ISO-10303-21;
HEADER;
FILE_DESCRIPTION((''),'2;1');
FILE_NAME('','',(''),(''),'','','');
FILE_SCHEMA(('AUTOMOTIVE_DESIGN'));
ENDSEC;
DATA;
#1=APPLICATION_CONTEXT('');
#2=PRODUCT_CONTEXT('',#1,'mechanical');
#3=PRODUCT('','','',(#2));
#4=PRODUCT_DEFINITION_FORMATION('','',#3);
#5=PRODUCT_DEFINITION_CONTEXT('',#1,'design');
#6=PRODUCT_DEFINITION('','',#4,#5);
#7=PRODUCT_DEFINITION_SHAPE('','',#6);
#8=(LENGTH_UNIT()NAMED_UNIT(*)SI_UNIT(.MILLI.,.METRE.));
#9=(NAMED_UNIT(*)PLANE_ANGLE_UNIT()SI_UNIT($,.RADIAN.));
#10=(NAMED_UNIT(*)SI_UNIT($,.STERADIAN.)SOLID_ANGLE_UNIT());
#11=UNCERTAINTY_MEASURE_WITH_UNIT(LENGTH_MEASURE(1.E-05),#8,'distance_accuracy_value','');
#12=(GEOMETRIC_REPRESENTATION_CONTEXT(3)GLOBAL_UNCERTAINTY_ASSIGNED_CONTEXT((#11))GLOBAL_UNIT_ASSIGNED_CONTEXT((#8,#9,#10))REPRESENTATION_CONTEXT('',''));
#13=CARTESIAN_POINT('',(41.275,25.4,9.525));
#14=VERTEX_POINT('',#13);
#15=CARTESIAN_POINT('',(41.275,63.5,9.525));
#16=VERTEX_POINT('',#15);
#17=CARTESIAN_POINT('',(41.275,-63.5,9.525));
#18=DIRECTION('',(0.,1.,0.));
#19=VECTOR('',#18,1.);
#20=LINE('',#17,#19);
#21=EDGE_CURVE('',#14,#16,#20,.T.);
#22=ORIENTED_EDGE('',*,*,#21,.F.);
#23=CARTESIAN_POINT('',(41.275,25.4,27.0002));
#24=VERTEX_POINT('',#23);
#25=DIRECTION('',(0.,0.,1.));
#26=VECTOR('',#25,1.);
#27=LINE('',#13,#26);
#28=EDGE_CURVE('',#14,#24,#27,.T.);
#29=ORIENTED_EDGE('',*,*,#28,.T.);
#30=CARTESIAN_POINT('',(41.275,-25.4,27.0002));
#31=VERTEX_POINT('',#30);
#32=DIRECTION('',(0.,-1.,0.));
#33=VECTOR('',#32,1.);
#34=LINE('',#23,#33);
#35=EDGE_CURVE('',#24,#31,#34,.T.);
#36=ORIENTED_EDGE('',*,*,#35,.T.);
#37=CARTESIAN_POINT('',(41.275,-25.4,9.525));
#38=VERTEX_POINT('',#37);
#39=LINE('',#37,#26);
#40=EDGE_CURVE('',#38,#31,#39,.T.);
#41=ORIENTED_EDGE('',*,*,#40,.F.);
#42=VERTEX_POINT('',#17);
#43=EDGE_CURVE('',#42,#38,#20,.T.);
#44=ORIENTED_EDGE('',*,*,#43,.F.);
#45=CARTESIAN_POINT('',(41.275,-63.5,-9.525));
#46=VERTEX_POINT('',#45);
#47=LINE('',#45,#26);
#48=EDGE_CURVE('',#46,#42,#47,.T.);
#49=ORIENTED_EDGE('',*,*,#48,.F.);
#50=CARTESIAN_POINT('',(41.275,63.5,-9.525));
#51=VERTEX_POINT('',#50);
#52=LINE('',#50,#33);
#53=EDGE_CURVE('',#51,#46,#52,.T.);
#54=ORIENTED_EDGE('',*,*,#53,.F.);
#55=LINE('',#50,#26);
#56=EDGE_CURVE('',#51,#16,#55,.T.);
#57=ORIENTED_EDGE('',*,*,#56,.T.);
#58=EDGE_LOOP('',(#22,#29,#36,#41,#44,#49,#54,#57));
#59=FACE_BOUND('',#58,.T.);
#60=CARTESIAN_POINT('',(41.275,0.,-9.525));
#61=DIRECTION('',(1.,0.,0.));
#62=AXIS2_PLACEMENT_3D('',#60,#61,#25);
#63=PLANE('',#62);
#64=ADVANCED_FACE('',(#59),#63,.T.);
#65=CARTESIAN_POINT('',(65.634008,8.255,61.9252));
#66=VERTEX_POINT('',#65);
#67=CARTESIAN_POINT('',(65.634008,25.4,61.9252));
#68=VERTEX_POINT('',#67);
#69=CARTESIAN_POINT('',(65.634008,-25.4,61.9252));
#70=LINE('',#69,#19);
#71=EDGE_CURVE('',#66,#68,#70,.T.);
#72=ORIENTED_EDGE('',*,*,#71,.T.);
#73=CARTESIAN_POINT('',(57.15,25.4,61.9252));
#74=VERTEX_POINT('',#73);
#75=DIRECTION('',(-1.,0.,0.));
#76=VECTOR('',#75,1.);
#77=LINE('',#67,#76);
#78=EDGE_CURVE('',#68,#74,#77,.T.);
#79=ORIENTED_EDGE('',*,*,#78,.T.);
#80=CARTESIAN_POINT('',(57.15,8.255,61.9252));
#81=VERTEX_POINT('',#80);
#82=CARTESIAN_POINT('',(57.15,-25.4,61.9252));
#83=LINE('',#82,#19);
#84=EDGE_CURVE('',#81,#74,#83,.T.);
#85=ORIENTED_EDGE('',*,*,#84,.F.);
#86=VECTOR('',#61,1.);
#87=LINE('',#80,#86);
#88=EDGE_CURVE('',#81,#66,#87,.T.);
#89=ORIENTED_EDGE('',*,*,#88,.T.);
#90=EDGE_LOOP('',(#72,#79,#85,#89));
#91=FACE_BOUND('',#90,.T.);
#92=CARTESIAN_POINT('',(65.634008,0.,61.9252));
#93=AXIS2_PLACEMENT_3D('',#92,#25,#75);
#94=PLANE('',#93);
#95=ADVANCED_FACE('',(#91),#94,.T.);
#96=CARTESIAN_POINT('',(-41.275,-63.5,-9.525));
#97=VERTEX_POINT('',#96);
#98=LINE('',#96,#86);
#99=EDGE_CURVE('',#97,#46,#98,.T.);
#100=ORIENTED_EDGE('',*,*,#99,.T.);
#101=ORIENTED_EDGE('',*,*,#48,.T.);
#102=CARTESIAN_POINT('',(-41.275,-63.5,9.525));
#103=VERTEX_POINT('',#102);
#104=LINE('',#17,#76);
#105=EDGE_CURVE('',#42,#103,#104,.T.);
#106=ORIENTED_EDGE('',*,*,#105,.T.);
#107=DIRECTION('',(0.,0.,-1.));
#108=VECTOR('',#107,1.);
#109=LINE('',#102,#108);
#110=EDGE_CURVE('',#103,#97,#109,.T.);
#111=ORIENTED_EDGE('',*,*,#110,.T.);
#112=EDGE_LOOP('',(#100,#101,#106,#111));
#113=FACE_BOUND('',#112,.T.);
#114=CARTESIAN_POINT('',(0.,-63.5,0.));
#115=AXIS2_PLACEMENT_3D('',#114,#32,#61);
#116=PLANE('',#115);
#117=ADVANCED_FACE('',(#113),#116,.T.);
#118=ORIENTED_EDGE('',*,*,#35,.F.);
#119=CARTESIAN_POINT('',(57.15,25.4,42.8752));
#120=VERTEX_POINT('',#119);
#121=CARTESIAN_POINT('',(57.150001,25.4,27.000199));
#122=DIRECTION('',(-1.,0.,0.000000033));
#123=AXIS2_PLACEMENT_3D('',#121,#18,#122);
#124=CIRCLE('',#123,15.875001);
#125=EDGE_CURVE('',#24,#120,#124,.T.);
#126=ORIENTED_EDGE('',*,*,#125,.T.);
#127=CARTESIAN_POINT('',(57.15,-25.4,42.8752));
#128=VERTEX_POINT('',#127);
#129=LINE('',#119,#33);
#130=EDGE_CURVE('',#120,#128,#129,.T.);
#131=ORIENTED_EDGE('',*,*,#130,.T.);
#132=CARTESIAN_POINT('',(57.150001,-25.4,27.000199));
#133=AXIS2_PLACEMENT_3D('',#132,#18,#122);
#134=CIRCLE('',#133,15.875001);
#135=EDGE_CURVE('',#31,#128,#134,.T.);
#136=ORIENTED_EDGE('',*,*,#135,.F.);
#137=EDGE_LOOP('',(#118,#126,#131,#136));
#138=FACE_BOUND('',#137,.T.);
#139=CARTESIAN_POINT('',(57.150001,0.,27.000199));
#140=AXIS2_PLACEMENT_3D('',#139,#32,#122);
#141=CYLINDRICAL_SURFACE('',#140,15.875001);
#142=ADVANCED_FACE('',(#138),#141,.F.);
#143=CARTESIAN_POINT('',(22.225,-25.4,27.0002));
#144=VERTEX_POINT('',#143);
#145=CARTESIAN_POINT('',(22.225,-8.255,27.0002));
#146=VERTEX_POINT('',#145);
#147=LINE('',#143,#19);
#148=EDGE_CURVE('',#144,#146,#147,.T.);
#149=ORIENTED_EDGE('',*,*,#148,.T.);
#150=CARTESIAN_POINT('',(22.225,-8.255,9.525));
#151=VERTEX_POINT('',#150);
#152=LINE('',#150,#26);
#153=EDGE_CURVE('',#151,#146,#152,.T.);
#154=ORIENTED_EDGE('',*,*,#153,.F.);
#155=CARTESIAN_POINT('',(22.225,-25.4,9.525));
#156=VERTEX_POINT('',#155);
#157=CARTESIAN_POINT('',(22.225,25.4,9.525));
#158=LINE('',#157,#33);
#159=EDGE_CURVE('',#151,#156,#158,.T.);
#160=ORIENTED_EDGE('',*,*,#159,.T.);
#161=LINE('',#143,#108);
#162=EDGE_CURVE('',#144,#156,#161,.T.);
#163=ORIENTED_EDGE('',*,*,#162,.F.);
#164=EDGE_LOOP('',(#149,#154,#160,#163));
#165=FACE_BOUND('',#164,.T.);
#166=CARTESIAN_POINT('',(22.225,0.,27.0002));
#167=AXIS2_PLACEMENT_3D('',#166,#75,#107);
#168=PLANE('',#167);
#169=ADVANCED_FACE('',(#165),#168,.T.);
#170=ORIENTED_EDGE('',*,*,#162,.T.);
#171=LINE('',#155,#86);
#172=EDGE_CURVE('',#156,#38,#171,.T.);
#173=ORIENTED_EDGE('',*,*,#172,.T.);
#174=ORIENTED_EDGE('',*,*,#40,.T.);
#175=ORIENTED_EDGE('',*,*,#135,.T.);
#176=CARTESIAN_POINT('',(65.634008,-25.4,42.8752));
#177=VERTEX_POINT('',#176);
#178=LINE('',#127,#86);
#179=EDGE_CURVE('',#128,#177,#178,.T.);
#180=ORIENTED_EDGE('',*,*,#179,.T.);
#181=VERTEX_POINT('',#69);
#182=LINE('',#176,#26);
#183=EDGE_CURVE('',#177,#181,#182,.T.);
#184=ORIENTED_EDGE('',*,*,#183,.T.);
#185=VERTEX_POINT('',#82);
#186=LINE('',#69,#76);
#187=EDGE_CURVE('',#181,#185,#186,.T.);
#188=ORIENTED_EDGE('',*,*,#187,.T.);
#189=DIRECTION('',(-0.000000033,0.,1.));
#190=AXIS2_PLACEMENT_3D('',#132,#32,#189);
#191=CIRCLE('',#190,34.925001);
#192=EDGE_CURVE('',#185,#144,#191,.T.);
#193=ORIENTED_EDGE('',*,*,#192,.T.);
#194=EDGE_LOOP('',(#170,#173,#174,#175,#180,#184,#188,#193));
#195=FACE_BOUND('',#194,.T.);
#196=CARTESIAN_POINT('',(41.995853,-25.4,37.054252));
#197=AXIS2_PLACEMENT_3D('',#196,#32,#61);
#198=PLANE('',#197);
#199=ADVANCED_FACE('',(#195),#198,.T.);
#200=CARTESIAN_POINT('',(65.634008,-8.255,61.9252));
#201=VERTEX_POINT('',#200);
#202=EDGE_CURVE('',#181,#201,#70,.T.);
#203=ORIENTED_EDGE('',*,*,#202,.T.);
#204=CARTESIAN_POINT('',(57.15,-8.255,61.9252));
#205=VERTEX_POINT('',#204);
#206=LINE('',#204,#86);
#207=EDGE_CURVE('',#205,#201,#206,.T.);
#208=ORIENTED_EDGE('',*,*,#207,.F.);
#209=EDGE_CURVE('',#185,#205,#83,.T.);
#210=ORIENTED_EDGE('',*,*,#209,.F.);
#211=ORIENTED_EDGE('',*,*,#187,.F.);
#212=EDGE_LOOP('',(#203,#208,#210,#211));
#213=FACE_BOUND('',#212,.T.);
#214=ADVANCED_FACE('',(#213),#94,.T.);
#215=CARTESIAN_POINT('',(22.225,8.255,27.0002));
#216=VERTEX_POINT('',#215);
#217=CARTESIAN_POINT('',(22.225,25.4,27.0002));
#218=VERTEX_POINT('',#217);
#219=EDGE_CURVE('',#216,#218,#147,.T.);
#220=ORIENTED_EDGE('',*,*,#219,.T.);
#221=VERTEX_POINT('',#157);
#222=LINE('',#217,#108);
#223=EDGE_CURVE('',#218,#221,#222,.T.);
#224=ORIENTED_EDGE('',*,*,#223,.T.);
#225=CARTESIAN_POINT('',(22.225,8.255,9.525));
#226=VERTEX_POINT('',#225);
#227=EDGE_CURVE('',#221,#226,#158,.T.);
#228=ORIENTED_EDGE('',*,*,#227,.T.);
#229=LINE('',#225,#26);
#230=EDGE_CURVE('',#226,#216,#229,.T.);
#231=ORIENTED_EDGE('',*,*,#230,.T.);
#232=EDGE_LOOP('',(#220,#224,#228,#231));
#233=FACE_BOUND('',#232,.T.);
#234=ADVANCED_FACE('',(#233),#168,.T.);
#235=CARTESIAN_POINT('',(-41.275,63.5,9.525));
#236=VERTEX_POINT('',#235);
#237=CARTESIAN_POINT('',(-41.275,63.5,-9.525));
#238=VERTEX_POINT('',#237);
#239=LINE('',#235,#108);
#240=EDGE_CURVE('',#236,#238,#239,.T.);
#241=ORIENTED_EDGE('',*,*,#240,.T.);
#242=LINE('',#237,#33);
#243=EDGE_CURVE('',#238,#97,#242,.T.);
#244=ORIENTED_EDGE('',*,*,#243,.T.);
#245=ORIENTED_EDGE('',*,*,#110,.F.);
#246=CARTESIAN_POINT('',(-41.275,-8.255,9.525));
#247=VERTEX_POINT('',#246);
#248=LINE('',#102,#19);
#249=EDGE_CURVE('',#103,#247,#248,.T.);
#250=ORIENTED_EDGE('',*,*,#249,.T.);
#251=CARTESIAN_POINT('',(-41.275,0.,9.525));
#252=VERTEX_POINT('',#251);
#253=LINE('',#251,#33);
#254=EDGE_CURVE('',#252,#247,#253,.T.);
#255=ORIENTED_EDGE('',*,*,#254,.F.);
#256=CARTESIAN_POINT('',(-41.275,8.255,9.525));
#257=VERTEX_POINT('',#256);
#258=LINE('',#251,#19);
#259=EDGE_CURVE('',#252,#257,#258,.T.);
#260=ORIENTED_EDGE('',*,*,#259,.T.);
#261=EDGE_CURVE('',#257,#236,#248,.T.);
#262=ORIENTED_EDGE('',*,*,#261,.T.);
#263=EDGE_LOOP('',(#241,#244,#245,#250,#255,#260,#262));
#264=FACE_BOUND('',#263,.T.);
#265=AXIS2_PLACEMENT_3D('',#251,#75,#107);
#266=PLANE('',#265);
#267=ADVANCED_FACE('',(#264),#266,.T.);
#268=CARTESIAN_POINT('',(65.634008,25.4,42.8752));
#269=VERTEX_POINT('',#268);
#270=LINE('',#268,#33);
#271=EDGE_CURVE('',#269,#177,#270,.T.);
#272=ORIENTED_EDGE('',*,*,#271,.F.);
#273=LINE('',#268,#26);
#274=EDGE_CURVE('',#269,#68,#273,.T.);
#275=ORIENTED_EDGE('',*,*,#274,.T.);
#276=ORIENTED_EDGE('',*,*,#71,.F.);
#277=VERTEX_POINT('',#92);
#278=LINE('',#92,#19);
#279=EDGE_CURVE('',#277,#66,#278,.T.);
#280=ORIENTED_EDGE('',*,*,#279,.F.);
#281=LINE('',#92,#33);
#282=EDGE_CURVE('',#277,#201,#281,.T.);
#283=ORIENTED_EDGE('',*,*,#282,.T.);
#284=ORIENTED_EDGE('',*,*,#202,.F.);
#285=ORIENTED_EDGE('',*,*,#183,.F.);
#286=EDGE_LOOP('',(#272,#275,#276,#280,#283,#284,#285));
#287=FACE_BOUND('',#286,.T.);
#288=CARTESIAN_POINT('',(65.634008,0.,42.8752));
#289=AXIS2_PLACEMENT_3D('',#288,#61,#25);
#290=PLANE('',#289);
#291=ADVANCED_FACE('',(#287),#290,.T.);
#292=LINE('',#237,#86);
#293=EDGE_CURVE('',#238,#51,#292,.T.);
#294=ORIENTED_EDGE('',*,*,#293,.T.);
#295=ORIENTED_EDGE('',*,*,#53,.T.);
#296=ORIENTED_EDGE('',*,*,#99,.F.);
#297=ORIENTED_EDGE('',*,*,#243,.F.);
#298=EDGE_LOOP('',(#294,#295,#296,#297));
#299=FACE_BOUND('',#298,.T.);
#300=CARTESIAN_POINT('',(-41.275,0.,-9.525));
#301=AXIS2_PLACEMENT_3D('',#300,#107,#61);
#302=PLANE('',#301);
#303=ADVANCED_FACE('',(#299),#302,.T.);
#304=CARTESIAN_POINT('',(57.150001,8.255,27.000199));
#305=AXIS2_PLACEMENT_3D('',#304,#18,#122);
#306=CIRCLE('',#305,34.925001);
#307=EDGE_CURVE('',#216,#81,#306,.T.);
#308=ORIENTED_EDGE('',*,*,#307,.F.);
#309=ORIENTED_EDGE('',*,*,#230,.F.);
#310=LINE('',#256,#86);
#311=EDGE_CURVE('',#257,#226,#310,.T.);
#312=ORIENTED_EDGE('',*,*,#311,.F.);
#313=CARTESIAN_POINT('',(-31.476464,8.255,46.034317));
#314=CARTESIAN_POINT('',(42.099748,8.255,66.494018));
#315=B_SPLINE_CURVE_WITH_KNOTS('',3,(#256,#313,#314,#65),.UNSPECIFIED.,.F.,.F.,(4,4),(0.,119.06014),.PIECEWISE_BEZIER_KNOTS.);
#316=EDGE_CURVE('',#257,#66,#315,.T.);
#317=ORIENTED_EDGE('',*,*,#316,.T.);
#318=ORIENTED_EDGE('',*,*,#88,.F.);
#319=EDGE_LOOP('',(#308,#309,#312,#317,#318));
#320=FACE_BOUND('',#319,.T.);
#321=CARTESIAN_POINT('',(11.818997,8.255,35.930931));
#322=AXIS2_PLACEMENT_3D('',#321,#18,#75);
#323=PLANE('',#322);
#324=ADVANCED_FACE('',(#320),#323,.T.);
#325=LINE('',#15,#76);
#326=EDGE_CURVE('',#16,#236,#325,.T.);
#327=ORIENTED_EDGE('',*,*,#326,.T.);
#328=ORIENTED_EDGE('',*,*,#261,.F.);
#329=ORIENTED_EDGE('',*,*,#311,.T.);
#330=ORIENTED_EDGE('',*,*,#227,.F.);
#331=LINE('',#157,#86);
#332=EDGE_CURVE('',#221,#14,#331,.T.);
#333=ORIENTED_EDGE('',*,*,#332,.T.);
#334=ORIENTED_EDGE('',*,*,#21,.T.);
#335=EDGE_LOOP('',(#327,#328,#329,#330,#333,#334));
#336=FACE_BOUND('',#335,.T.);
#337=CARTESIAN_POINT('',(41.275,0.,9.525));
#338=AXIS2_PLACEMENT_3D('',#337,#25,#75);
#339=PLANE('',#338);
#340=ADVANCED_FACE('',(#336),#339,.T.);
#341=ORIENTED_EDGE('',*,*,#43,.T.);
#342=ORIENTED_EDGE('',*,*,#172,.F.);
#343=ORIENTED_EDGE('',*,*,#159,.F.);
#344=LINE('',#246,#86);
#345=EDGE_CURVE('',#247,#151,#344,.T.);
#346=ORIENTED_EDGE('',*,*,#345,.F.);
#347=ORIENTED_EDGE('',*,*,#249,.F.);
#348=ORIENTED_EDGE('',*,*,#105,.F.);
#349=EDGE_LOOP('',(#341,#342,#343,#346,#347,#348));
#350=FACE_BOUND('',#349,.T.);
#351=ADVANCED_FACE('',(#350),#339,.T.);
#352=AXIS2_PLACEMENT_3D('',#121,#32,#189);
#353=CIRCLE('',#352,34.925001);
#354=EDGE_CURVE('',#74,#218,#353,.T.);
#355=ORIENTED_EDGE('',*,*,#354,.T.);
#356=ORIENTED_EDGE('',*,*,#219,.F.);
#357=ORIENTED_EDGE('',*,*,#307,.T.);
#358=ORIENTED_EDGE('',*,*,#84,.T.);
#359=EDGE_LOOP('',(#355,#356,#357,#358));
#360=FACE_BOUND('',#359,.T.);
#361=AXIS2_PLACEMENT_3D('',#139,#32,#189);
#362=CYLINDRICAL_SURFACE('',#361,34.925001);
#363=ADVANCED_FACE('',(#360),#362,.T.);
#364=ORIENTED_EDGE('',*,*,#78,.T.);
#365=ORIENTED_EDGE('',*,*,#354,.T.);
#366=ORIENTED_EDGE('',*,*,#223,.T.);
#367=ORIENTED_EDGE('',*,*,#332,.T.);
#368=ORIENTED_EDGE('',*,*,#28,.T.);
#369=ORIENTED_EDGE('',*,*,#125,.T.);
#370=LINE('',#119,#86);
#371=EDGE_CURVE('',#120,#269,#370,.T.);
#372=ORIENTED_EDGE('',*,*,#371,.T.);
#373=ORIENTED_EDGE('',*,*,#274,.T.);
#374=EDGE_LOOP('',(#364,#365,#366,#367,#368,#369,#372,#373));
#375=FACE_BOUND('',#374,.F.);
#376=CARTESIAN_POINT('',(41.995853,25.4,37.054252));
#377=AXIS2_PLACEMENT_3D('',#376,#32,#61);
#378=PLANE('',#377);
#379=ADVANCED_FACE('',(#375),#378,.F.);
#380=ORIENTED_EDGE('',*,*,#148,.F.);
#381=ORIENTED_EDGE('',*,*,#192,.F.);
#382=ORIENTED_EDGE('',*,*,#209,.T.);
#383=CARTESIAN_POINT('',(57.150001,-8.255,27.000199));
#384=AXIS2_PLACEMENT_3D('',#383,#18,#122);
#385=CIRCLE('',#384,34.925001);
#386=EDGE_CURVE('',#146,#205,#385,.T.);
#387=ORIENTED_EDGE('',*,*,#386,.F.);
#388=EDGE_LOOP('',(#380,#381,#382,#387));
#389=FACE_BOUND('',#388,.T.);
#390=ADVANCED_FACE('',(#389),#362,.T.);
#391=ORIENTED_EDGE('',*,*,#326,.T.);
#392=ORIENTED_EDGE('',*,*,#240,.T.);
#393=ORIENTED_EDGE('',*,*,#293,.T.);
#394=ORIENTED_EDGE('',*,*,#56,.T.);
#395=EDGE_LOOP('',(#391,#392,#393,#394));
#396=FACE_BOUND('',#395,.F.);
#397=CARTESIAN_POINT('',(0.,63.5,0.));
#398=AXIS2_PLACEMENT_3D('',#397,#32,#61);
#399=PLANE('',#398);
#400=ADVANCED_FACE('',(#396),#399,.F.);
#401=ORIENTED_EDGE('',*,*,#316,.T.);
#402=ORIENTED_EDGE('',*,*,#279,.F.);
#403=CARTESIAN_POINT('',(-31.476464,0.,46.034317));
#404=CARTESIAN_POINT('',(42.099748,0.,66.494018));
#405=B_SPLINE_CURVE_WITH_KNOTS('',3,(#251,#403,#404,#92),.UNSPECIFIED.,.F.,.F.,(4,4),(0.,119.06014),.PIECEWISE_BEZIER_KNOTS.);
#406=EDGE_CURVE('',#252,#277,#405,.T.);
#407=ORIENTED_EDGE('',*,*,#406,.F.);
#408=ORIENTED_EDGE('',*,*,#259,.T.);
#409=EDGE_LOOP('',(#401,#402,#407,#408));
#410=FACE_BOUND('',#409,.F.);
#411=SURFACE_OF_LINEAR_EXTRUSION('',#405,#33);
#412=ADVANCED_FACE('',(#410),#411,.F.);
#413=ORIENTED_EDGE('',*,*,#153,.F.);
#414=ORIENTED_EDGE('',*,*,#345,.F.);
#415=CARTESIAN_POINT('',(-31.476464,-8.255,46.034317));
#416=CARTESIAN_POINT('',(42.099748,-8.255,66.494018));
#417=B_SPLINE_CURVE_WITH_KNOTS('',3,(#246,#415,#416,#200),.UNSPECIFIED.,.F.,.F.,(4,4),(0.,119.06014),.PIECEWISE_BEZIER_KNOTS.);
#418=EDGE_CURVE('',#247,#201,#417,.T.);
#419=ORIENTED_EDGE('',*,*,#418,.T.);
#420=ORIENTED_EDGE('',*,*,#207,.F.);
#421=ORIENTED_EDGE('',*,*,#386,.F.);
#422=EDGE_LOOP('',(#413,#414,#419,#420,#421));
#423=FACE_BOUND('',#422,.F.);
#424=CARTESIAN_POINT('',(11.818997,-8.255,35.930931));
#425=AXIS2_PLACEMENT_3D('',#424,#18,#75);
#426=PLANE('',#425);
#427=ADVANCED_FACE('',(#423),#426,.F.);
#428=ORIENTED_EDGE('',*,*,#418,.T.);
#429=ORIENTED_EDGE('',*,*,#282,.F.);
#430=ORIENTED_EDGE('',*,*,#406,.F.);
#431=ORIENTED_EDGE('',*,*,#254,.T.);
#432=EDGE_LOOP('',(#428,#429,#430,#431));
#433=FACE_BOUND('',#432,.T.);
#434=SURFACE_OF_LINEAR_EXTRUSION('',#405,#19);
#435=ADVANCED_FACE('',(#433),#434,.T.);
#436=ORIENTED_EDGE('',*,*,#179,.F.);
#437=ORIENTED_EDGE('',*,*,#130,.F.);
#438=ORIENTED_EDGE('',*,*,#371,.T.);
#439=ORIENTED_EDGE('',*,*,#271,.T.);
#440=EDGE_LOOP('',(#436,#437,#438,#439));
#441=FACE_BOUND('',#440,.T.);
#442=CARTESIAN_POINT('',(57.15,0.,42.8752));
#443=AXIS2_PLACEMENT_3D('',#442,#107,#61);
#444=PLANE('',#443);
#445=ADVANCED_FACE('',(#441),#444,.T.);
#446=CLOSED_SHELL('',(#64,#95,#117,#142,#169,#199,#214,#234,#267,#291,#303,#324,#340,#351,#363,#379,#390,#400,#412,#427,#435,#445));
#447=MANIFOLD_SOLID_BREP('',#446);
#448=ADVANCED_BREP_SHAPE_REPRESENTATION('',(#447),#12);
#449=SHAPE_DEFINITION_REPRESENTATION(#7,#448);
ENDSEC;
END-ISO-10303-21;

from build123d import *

# Parameters (mm, degrees)
F1_DEPTH = 63.5
F2_DEPTH = 25.4
F3_DEPTH = 8.255


with BuildPart() as f1:
    # F0 (on Front) → F1 (new body, symmetric)
    with BuildSketch(Plane.XZ):
        Polygon((22.225, 9.525), (-41.275, 9.525), (-41.275, -9.525), (41.275, -9.525), (41.275, 9.525), align=None)
    extrude(amount=F1_DEPTH, both=True)

    # F0 (on Front) → F2 (join, symmetric)
    with BuildSketch(Plane.XZ):
        with BuildLine():
            Line((22.225, 27.0002), (22.225, 9.525))
            Line((22.225, 9.525), (41.275, 9.525))
            Line((41.275, 9.525), (41.275, 27.0002))
            ThreePointArc((41.275, 27.0002), (45.92468, 38.22552), (57.15, 42.8752))
            Line((57.15, 42.8752), (65.634008, 42.8752))
            Line((65.634008, 42.8752), (65.634008, 61.9252))
            Line((65.634008, 61.9252), (57.15, 61.9252))
            ThreePointArc((57.15, 61.9252), (32.454296, 51.695904), (22.225, 27.0002))
        make_face()
    extrude(amount=F2_DEPTH, both=True)

    # F0 (on Front) → F3 (join, symmetric)
    with BuildSketch(Plane.XZ):
        with BuildLine():
            add(Edge.make_bspline(
                [(-41.275, 9.525), (-31.476464, 46.034317), (42.099748, 66.494018), (65.634008, 61.9252)],
                knots=[0, 0, 0, 0, 119.06014, 119.06014, 119.06014, 119.06014], degree=3))
            Line((-41.275, 9.525), (22.225, 9.525))
            Line((22.225, 9.525), (22.225, 27.0002))
            ThreePointArc((22.225, 27.0002), (32.454296, 51.695904), (57.15, 61.9252))
            Line((57.15, 61.9252), (65.634008, 61.9252))
        make_face()
    extrude(amount=F3_DEPTH, both=True)


solid = f1.part
